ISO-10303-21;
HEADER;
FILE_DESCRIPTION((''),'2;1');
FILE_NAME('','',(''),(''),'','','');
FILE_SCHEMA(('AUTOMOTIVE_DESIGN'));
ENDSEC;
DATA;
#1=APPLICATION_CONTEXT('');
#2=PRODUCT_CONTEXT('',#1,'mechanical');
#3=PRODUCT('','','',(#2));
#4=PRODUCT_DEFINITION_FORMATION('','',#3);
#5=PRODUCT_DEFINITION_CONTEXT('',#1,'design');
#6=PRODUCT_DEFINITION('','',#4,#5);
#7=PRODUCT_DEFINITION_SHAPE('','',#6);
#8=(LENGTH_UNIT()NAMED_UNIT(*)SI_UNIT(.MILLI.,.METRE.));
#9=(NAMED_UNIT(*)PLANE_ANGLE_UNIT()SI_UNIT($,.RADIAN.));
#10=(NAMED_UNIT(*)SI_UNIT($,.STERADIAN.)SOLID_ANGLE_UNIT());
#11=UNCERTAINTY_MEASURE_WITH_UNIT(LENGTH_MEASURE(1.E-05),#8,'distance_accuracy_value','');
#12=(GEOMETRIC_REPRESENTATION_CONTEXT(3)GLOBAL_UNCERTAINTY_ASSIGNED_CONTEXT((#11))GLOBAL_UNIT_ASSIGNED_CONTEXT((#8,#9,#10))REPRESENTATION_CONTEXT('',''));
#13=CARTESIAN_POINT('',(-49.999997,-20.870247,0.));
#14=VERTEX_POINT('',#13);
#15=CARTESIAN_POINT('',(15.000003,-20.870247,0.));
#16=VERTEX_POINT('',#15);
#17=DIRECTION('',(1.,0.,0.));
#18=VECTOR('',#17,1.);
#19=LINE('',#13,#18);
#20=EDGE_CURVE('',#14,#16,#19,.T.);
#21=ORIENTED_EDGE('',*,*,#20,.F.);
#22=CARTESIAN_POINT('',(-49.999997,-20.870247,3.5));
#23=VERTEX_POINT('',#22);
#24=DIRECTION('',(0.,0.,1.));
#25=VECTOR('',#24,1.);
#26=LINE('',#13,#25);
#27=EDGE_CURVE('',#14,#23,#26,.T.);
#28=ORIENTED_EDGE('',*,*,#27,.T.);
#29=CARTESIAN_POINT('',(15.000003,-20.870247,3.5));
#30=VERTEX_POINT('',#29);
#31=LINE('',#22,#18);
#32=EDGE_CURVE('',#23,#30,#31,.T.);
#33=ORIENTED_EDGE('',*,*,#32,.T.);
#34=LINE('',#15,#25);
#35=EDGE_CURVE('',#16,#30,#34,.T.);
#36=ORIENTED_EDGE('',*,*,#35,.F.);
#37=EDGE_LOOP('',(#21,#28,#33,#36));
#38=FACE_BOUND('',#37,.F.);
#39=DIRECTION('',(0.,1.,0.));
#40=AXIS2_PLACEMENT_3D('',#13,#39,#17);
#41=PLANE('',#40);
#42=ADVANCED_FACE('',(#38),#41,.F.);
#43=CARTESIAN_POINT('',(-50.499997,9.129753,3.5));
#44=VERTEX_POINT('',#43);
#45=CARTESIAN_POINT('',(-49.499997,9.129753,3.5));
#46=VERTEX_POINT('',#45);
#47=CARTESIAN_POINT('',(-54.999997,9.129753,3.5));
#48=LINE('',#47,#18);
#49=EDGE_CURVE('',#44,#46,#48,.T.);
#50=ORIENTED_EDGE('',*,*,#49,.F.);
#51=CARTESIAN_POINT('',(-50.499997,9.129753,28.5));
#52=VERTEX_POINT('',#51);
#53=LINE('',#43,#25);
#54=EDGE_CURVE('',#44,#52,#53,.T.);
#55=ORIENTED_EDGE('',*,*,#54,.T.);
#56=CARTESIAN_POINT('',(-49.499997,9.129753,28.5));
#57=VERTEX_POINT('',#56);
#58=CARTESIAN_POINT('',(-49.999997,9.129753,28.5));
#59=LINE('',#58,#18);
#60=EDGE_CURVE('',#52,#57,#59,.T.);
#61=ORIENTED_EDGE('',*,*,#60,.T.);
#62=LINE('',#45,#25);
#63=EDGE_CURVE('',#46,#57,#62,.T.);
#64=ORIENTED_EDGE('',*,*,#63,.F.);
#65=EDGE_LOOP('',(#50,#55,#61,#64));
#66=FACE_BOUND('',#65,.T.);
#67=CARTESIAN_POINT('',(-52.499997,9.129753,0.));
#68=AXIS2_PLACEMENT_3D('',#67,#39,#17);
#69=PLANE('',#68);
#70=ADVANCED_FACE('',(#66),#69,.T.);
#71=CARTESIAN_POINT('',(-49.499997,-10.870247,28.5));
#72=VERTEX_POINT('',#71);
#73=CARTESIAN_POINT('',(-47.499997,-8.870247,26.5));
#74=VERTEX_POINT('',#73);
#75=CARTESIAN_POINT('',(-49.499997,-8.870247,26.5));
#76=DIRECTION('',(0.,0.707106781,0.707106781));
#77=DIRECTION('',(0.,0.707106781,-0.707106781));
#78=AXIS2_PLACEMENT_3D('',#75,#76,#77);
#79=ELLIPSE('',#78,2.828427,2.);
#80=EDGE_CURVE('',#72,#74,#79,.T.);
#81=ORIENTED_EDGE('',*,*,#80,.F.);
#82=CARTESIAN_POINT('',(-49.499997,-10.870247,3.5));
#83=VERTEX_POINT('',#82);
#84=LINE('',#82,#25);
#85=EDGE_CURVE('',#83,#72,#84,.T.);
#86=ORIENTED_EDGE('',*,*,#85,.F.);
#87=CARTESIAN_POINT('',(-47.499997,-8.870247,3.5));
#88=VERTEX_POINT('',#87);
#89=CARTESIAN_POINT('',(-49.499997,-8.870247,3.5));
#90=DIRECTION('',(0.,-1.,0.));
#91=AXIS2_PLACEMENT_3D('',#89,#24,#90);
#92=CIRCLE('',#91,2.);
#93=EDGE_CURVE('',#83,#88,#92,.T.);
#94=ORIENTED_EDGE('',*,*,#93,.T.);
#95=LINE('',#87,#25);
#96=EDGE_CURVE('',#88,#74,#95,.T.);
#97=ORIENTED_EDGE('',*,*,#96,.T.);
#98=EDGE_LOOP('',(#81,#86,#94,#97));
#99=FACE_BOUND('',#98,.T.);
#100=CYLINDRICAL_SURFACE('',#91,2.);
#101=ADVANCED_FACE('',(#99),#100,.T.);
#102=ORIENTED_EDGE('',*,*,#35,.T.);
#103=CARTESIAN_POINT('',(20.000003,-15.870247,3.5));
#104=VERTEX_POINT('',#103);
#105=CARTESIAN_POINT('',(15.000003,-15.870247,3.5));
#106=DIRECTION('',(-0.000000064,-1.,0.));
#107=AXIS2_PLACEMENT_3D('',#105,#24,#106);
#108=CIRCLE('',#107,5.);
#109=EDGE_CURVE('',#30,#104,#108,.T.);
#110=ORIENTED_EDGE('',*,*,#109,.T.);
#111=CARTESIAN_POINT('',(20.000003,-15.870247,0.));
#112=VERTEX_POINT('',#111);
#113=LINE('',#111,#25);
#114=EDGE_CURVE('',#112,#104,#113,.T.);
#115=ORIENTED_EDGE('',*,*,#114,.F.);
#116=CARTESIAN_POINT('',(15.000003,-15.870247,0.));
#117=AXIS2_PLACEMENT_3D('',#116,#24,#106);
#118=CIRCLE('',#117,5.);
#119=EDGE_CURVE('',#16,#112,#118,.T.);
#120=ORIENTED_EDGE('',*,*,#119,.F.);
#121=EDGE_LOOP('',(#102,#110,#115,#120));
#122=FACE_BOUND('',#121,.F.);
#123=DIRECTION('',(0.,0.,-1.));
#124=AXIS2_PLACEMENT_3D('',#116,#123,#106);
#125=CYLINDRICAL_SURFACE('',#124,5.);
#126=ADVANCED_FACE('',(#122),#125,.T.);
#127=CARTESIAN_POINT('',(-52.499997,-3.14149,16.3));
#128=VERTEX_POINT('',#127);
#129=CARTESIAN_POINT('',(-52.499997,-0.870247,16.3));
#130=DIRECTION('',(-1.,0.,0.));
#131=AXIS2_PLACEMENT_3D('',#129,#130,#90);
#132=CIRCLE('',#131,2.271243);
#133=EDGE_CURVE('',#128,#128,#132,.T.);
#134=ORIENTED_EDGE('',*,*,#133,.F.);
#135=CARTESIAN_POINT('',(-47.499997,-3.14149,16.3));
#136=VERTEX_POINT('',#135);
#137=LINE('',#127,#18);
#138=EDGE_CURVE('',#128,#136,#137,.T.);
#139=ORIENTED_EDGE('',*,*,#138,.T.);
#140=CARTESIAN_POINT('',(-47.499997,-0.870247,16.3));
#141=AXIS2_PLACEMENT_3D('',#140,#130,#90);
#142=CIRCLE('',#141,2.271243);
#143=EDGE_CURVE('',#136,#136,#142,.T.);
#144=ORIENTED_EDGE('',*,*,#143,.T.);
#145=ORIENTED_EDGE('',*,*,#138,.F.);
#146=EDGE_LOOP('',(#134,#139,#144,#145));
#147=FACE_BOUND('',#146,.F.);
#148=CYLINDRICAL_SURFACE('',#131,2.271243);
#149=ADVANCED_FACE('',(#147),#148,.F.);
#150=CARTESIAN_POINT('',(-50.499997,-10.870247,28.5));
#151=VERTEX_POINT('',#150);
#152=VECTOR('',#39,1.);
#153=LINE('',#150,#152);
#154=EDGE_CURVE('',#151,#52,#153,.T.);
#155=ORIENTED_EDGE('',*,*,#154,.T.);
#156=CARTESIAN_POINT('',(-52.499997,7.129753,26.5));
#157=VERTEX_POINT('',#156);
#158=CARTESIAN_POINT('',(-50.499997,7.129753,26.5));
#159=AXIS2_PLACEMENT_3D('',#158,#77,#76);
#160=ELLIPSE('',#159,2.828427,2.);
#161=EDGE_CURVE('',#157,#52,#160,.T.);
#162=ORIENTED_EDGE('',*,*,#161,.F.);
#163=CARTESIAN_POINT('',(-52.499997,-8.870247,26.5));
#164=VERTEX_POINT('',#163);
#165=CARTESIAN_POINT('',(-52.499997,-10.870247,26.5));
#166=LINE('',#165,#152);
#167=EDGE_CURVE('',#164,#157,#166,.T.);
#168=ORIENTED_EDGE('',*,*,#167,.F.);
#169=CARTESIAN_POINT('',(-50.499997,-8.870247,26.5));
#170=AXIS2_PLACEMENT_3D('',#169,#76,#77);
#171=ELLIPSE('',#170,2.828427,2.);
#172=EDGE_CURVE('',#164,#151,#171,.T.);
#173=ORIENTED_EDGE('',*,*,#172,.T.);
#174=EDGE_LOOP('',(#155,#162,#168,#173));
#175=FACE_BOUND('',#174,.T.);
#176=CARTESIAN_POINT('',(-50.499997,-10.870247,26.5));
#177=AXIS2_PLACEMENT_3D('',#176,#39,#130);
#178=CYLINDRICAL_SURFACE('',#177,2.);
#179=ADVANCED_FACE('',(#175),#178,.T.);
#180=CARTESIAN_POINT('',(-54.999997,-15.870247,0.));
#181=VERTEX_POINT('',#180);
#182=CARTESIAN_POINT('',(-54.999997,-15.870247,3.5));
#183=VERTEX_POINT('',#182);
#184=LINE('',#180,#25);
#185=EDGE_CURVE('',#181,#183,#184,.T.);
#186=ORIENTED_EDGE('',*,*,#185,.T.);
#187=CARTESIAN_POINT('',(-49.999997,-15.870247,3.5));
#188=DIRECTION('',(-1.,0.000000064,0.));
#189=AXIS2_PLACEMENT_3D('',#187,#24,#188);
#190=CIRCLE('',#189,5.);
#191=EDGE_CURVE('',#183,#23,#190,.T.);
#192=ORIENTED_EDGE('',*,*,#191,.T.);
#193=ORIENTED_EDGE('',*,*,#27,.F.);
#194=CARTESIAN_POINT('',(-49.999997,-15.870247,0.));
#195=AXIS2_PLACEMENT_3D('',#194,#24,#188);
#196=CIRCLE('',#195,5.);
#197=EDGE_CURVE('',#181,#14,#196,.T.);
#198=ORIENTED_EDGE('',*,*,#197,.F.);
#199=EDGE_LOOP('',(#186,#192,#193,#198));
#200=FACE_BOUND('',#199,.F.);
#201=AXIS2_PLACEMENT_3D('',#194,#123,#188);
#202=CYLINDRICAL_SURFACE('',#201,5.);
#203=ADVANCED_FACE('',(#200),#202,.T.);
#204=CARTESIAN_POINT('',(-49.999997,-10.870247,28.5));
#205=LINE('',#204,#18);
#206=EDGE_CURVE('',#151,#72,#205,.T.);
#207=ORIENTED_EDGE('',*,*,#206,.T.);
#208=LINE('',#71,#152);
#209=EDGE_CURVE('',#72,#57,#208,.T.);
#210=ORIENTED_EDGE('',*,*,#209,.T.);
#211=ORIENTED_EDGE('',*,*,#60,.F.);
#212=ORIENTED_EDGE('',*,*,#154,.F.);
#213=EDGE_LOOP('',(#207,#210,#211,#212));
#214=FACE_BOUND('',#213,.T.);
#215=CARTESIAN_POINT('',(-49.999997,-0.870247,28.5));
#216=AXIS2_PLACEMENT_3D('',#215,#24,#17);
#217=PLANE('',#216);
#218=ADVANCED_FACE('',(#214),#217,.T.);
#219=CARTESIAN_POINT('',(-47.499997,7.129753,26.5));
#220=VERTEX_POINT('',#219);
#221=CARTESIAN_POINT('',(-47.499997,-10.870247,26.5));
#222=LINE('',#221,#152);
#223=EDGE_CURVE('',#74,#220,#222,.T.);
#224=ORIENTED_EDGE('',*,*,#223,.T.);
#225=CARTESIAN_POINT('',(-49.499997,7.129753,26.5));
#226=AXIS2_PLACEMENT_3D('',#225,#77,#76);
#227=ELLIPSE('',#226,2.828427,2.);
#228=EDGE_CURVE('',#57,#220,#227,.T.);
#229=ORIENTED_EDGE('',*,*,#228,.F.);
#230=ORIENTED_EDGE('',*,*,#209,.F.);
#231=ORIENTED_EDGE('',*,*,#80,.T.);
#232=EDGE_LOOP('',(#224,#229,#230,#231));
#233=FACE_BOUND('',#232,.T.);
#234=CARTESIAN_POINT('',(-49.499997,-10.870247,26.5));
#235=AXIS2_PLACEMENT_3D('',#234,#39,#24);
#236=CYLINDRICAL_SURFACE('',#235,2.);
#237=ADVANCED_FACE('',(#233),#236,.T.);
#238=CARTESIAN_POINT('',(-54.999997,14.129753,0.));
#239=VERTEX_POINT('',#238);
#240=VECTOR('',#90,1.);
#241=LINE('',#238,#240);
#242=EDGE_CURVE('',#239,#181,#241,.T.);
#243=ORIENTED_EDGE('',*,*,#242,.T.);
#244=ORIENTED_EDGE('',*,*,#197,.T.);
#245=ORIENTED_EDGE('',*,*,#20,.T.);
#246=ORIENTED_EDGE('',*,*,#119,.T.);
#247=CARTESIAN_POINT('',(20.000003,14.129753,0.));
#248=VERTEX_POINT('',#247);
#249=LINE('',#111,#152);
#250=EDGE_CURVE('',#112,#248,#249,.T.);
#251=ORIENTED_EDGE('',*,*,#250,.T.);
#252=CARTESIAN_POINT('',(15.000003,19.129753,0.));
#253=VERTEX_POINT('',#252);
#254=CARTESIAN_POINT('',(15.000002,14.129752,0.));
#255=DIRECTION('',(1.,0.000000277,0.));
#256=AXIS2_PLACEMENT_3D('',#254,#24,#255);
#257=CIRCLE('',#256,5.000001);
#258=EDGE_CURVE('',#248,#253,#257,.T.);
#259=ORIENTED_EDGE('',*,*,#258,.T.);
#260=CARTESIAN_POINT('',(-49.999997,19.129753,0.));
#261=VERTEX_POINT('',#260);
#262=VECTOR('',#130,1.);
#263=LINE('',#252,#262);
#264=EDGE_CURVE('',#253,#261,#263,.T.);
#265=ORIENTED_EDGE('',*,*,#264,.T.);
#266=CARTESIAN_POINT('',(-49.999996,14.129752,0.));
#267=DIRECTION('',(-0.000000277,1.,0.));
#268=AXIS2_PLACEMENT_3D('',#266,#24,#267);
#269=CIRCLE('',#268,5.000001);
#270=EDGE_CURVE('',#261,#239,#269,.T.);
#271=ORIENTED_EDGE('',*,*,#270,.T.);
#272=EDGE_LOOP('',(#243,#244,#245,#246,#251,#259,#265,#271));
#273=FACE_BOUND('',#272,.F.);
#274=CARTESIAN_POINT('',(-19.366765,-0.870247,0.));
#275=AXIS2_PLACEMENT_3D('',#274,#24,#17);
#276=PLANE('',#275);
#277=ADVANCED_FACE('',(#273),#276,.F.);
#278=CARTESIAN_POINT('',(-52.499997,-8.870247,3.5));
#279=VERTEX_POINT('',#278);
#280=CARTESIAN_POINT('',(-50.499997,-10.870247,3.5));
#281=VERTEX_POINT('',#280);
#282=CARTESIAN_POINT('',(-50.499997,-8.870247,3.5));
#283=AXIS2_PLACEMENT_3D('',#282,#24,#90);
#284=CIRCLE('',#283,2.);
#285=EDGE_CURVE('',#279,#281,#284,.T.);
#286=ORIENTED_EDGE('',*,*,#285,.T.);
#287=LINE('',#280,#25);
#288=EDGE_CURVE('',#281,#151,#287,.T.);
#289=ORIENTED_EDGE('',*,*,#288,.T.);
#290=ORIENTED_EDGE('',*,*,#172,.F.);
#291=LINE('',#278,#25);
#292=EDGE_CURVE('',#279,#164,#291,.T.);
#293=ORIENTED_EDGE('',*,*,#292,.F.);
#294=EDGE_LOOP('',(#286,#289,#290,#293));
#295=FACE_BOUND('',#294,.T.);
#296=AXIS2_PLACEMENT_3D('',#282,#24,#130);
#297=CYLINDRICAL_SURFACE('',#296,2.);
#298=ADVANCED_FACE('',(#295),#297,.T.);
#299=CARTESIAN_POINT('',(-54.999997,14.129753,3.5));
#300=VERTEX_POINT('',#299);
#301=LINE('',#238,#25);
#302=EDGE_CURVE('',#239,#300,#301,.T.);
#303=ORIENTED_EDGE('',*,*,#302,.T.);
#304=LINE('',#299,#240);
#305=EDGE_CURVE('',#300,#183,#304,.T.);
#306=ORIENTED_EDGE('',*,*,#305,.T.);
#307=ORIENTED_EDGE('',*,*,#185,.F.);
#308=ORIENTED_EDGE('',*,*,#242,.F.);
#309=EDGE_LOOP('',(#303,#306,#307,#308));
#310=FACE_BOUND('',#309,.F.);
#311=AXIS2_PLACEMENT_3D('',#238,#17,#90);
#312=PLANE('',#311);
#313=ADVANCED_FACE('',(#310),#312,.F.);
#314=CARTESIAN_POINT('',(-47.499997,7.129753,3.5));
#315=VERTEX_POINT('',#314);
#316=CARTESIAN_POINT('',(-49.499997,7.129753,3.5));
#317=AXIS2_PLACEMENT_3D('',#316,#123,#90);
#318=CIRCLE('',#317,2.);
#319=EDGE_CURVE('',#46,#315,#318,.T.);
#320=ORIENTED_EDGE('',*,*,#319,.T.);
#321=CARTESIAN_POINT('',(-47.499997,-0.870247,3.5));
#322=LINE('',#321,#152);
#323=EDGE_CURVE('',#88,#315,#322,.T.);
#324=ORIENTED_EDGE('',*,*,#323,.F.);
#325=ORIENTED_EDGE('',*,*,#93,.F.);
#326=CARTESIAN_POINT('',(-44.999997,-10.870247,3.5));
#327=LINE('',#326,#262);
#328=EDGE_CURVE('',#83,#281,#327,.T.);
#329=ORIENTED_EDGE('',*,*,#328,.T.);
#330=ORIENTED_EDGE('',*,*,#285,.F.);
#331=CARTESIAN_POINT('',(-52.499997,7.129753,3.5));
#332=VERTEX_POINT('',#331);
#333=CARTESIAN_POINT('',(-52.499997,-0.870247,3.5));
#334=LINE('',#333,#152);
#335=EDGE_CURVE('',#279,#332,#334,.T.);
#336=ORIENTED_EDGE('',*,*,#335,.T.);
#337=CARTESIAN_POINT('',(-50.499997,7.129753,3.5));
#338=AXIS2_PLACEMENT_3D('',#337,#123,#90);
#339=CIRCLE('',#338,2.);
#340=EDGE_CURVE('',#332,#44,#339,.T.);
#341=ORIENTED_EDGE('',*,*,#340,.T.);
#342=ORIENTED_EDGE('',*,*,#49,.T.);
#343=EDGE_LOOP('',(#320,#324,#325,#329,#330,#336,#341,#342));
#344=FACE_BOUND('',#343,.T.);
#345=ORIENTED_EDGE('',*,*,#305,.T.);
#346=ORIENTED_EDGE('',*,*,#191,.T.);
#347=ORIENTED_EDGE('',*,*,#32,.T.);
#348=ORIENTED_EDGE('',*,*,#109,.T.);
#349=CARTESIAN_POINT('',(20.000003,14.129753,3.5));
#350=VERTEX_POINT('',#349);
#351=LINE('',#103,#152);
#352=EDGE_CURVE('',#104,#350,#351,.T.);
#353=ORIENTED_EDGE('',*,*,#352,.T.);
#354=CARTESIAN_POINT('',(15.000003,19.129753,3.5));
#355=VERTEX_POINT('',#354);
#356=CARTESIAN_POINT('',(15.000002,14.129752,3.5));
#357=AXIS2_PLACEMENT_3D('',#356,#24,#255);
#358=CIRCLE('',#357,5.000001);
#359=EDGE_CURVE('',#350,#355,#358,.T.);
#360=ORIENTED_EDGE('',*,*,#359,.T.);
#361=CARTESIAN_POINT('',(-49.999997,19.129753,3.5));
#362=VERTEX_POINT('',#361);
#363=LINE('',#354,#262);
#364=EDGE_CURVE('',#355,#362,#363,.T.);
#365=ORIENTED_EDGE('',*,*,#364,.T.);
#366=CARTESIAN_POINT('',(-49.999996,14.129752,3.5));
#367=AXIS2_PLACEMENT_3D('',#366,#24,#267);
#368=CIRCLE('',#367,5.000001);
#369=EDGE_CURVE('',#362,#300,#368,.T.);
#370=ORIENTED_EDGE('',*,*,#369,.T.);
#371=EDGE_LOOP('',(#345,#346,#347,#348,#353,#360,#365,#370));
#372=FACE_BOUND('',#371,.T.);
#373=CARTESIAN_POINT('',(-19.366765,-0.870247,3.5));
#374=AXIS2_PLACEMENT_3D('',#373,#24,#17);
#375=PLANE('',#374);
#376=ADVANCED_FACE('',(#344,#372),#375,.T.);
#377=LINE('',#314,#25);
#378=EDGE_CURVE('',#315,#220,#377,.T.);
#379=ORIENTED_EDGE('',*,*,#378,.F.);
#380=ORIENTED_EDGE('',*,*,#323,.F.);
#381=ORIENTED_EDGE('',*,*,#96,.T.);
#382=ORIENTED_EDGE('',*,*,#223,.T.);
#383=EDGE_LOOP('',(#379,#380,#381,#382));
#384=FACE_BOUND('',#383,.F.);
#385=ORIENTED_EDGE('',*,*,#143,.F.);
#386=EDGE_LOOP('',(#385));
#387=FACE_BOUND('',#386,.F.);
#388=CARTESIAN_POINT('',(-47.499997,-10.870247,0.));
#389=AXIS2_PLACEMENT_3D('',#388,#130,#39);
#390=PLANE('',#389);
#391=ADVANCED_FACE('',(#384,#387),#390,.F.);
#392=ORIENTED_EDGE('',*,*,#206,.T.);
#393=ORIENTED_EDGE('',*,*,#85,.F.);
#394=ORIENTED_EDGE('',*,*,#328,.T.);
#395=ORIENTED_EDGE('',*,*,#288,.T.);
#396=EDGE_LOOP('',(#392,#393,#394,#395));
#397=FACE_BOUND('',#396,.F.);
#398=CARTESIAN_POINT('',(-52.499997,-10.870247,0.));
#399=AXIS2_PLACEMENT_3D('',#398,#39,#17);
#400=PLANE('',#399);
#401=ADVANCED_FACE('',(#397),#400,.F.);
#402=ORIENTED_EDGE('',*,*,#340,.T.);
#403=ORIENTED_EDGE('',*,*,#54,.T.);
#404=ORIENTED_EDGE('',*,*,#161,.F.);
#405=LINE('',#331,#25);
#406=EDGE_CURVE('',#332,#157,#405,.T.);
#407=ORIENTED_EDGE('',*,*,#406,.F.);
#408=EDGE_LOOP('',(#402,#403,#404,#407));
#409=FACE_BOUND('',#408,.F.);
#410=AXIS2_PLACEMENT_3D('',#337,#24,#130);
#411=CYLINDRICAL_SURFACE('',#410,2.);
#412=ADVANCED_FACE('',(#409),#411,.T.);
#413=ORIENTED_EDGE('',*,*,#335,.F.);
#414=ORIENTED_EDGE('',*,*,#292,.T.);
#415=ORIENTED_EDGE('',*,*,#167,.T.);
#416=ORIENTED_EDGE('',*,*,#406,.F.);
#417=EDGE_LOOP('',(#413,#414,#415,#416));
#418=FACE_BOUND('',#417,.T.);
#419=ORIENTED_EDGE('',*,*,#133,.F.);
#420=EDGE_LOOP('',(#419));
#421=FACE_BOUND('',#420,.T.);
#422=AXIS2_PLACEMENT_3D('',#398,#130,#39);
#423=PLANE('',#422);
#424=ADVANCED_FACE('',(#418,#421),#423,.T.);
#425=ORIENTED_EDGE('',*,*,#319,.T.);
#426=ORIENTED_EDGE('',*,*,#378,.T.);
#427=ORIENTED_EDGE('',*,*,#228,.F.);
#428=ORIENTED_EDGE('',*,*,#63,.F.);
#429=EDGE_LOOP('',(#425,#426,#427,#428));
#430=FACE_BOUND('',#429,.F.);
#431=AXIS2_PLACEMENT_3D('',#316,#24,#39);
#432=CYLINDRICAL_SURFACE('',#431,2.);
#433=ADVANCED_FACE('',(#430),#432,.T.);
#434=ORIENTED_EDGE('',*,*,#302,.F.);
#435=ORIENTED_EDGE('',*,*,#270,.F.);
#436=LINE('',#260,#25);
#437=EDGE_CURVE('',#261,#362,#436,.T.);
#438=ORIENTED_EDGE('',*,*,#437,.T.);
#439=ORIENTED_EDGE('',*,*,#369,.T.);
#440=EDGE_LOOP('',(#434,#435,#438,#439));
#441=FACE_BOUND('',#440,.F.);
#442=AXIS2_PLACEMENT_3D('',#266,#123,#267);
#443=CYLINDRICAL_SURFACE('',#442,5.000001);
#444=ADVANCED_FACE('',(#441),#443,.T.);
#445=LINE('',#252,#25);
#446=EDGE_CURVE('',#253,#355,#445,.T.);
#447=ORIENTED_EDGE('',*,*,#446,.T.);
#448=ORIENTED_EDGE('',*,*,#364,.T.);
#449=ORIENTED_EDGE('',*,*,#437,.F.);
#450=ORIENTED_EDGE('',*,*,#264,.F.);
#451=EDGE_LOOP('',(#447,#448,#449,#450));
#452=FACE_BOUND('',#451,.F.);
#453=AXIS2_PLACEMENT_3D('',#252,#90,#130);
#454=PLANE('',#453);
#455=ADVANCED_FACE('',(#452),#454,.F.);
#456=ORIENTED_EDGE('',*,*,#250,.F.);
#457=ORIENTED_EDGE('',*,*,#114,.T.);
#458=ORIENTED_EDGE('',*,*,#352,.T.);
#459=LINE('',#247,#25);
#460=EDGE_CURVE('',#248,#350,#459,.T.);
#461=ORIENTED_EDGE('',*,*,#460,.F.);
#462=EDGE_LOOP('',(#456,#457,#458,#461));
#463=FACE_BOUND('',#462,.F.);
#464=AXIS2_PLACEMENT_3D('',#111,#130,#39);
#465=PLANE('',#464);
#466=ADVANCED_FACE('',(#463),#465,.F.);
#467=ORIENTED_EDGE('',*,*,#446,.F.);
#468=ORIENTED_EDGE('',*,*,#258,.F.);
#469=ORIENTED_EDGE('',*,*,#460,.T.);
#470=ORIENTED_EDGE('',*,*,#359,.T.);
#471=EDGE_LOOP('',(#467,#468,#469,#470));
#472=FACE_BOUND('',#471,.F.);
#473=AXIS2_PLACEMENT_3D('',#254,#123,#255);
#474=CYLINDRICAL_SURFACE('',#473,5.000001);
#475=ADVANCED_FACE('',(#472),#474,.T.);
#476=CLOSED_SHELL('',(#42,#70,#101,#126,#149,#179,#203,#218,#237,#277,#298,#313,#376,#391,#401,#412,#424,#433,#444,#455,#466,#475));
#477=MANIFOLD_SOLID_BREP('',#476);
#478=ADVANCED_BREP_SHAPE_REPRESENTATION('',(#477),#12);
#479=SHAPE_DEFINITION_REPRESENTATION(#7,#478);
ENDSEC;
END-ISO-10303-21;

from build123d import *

# Parameters (mm, degrees)
F0_W     = 2.5
F0_H     = 20
F1_DEPTH = 3.5
F0_W_2   = 5
F2_DEPTH = 28.5
F3_R     = 2.271243
F4_DEPTH = 5
F5_R     = 2


with BuildPart() as f1:
    # F0 (on Top) → F1 (new body)
    with BuildSketch(Plane.XY):
        with BuildLine():
            Line((15.000003, 19.129753), (-49.999997, 19.129753))
            ThreePointArc((-49.999997, 19.129753), (-53.535531, 17.665286), (-54.999997, 14.129753))
            Line((-54.999997, 14.129753), (-54.999997, 9.129753))
            Line((-54.999997, 9.129753), (-52.499997, 9.129753))
            Line((-52.499997, 9.129753), (-47.499997, 9.129753))
            Line((-47.499997, 9.129753), (-44.999997, 9.129753))
            Line((-44.999997, 9.129753), (-44.999997, -10.870247))
            Line((-44.999997, -10.870247), (-47.499997, -10.870247))
            Line((-47.499997, -10.870247), (-52.499997, -10.870247))
            Line((-52.499997, -10.870247), (-54.999997, -10.870247))
            Line((-54.999997, -10.870247), (-54.999997, -15.870247))
            ThreePointArc((-54.999997, -15.870247), (-53.535531, -19.405781), (-49.999997, -20.870247))
            Line((-49.999997, -20.870247), (15.000003, -20.870247))
            ThreePointArc((15.000003, -20.870247), (18.535537, -19.405781), (20.000003, -15.870247))
            Line((20.000003, -15.870247), (20.000003, 14.129753))
            ThreePointArc((20.000003, 14.129753), (18.535537, 17.665286), (15.000003, 19.129753))
        make_face()
        with Locations((-53.749997, -0.870247)):
            Rectangle(F0_W, F0_H)
        with Locations((-46.249997, -0.870247)):
            Rectangle(F0_W, F0_H)
    extrude(amount=F1_DEPTH)

    # F0 (on Top) → F2 (join)
    with BuildSketch(Plane.XY):
        with Locations((-49.999997, -0.870247)):
            Rectangle(F0_W_2, F0_H)
    extrude(amount=F2_DEPTH)

    # F3 (on face) → F4 (cut)
    with BuildSketch(Plane(origin=(-52.499997, 0, 0), x_dir=(0, -1, 0), z_dir=(-1, 0, 0))):
        with Locations((0.870247, 16.3)):
            Circle(F3_R)
    extrude(amount=-F4_DEPTH, mode=Mode.SUBTRACT)

    # F5
    f5_edges = [f1.edges().sort_by_distance(p)[0] for p in [
        (-52.499997, -0.870247, 28.5),
        (-47.499997, -0.870247, 28.5),
        (-47.499997, -10.870247, 16),
        (-52.499997, -10.870247, 16),
        (-52.499997, 9.129753, 16),
        (-47.499997, 9.129753, 16),
    ]]
    fillet(f5_edges, radius=F5_R)


solid = f1.part
